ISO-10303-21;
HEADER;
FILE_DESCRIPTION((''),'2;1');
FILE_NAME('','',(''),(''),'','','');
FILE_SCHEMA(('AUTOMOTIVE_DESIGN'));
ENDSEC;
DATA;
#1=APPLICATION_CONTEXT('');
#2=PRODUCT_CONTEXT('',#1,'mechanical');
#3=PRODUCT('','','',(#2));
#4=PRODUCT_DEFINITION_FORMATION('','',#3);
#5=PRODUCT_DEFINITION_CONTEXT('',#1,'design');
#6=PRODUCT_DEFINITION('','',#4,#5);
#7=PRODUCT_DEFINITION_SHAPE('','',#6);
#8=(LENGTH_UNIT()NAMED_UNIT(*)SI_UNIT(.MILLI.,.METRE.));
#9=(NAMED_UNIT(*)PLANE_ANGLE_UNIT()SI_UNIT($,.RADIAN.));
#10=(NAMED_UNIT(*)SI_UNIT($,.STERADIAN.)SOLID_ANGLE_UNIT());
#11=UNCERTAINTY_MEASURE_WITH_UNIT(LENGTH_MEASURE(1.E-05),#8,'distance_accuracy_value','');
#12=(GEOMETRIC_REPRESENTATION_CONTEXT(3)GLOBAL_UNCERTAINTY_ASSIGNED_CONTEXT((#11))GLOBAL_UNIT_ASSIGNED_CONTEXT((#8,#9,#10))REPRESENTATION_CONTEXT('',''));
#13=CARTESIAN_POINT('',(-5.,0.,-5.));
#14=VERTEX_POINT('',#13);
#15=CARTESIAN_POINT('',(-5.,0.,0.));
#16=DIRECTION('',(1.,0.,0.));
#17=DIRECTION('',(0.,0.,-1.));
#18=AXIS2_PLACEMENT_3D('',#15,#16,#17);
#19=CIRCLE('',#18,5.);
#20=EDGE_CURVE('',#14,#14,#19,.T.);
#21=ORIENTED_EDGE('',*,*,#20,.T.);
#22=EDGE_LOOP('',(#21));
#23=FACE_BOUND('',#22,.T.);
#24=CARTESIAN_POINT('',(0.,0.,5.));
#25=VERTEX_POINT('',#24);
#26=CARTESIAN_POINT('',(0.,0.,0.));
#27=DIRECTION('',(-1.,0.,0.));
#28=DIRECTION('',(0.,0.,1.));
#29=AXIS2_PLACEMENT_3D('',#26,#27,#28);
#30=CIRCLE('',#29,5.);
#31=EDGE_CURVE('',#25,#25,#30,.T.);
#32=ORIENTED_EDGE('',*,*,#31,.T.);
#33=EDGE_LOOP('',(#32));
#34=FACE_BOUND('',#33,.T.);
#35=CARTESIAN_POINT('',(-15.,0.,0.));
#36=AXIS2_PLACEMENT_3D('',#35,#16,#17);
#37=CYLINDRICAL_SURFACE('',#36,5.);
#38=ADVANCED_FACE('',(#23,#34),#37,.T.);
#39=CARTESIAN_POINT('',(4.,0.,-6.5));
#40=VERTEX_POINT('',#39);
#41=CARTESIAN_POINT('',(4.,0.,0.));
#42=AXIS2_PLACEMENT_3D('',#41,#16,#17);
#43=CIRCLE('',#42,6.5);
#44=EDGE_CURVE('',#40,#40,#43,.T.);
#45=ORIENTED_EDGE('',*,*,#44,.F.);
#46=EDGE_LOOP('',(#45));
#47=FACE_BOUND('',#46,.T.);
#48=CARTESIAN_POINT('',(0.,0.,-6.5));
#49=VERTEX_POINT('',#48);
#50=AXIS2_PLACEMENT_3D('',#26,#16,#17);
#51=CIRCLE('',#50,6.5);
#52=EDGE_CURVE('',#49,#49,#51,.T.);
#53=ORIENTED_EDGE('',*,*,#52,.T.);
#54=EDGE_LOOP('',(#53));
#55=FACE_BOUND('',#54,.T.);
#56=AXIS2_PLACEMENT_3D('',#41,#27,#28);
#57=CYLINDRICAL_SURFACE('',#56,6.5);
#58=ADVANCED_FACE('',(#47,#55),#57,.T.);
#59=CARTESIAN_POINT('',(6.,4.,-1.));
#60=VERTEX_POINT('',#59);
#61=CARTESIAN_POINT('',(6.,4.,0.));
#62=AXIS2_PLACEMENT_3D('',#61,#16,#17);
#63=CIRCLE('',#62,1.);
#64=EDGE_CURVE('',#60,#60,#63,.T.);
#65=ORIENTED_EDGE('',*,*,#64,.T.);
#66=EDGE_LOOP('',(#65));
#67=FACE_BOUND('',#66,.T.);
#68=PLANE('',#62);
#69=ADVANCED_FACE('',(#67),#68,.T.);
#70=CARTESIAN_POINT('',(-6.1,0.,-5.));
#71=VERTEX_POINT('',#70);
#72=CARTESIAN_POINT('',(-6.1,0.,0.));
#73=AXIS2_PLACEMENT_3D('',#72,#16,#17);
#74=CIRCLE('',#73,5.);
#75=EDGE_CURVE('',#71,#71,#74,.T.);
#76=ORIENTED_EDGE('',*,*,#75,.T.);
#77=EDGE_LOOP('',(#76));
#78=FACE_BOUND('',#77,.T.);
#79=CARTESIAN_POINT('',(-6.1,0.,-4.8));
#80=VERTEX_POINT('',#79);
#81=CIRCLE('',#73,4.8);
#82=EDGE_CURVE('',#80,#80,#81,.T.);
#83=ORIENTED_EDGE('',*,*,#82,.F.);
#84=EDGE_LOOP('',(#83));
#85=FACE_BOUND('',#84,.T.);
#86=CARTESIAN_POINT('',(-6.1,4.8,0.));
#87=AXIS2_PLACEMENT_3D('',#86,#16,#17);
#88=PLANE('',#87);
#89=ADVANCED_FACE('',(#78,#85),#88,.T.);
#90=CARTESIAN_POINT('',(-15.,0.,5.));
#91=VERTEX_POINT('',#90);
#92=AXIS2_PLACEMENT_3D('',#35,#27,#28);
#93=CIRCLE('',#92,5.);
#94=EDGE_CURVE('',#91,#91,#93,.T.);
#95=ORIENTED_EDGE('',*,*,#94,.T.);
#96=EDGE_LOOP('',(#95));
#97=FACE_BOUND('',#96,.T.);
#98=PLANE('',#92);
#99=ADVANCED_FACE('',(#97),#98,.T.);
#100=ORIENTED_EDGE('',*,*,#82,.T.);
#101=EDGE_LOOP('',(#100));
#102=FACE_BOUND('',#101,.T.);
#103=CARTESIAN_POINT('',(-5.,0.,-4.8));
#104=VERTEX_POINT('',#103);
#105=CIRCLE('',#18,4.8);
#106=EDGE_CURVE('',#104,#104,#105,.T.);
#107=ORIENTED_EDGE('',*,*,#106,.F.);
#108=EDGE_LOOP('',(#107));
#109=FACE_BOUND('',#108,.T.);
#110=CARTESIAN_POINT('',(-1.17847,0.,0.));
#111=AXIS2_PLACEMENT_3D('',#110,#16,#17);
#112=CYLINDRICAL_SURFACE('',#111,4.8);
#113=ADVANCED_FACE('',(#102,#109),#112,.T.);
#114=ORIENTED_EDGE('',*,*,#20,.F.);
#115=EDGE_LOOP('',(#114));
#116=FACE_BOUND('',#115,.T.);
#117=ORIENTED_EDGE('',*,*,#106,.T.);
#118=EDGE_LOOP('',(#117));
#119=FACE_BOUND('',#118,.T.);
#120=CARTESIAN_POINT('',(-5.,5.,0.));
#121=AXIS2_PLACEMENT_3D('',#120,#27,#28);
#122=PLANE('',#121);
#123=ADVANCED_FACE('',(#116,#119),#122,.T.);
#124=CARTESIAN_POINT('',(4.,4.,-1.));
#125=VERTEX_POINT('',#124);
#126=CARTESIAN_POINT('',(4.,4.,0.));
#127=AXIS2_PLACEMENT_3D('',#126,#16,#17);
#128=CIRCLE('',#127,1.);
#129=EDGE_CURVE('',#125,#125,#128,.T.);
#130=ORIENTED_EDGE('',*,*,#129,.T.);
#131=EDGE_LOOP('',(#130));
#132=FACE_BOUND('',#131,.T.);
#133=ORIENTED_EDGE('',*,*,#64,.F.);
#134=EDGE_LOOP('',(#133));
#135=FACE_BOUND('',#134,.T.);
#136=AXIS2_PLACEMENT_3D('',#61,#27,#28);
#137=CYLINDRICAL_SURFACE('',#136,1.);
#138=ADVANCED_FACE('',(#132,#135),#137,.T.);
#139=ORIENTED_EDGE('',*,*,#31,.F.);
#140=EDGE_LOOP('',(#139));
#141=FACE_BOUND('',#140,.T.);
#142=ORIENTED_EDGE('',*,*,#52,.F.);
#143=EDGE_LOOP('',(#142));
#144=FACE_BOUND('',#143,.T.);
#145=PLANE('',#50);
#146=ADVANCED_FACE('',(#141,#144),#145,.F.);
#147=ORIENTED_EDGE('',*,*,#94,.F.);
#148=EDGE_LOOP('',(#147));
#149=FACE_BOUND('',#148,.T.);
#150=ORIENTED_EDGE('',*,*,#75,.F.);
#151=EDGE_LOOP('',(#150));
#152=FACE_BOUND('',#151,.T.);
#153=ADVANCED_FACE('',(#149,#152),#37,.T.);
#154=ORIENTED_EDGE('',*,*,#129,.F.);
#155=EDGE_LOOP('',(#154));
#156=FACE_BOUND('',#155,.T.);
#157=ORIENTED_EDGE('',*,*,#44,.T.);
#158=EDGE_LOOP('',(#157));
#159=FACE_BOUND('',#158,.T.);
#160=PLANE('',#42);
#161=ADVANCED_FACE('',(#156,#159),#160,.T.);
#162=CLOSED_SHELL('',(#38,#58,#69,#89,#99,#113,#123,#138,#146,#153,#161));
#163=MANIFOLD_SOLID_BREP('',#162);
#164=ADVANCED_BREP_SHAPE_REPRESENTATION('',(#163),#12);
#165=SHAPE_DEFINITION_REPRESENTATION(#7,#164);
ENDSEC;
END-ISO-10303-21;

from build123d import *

# Parameters (mm, degrees)
SKETCH1_R           = 6.5
BOSS_EXTRUDE1_DEPTH = 4
SKETCH2_R           = 5
BOSS_EXTRUDE2_DEPTH = 15
SKETCH3_R           = 1
BOSS_EXTRUDE3_DEPTH = 2
SKETCH4_W           = 1.1
SKETCH4_H           = 0.2


with BuildPart() as part:
    # Sketch1 → Boss-Extrude1 (new body)
    with BuildSketch(Plane(origin=(0, 0, 0), x_dir=(0, 0, -1), z_dir=(1, 0, 0))):
        Circle(SKETCH1_R)
    extrude(amount=BOSS_EXTRUDE1_DEPTH)

    # Sketch2 → Boss-Extrude2 (add)
    with BuildSketch(Plane.ZY):
        Circle(SKETCH2_R)
    extrude(amount=BOSS_EXTRUDE2_DEPTH)

    # Sketch3 → Boss-Extrude3 (add)
    with BuildSketch(Plane(origin=(4, 0, 0), x_dir=(0, 0, -1), z_dir=(1, 0, 0))):
        with Locations((0, 4)):
            Circle(SKETCH3_R)
    extrude(amount=BOSS_EXTRUDE3_DEPTH)

    # Sketch4 → Cut-Revolve1 (revolve, cut)
    with BuildSketch(Plane.XY):
        with Locations((-5.55, 4.9)):
            Rectangle(SKETCH4_W, SKETCH4_H)
    revolve(axis=Axis((-1.178470482, 0, 0), (-1, 0, 0)), mode=Mode.SUBTRACT)


solid = part.part
